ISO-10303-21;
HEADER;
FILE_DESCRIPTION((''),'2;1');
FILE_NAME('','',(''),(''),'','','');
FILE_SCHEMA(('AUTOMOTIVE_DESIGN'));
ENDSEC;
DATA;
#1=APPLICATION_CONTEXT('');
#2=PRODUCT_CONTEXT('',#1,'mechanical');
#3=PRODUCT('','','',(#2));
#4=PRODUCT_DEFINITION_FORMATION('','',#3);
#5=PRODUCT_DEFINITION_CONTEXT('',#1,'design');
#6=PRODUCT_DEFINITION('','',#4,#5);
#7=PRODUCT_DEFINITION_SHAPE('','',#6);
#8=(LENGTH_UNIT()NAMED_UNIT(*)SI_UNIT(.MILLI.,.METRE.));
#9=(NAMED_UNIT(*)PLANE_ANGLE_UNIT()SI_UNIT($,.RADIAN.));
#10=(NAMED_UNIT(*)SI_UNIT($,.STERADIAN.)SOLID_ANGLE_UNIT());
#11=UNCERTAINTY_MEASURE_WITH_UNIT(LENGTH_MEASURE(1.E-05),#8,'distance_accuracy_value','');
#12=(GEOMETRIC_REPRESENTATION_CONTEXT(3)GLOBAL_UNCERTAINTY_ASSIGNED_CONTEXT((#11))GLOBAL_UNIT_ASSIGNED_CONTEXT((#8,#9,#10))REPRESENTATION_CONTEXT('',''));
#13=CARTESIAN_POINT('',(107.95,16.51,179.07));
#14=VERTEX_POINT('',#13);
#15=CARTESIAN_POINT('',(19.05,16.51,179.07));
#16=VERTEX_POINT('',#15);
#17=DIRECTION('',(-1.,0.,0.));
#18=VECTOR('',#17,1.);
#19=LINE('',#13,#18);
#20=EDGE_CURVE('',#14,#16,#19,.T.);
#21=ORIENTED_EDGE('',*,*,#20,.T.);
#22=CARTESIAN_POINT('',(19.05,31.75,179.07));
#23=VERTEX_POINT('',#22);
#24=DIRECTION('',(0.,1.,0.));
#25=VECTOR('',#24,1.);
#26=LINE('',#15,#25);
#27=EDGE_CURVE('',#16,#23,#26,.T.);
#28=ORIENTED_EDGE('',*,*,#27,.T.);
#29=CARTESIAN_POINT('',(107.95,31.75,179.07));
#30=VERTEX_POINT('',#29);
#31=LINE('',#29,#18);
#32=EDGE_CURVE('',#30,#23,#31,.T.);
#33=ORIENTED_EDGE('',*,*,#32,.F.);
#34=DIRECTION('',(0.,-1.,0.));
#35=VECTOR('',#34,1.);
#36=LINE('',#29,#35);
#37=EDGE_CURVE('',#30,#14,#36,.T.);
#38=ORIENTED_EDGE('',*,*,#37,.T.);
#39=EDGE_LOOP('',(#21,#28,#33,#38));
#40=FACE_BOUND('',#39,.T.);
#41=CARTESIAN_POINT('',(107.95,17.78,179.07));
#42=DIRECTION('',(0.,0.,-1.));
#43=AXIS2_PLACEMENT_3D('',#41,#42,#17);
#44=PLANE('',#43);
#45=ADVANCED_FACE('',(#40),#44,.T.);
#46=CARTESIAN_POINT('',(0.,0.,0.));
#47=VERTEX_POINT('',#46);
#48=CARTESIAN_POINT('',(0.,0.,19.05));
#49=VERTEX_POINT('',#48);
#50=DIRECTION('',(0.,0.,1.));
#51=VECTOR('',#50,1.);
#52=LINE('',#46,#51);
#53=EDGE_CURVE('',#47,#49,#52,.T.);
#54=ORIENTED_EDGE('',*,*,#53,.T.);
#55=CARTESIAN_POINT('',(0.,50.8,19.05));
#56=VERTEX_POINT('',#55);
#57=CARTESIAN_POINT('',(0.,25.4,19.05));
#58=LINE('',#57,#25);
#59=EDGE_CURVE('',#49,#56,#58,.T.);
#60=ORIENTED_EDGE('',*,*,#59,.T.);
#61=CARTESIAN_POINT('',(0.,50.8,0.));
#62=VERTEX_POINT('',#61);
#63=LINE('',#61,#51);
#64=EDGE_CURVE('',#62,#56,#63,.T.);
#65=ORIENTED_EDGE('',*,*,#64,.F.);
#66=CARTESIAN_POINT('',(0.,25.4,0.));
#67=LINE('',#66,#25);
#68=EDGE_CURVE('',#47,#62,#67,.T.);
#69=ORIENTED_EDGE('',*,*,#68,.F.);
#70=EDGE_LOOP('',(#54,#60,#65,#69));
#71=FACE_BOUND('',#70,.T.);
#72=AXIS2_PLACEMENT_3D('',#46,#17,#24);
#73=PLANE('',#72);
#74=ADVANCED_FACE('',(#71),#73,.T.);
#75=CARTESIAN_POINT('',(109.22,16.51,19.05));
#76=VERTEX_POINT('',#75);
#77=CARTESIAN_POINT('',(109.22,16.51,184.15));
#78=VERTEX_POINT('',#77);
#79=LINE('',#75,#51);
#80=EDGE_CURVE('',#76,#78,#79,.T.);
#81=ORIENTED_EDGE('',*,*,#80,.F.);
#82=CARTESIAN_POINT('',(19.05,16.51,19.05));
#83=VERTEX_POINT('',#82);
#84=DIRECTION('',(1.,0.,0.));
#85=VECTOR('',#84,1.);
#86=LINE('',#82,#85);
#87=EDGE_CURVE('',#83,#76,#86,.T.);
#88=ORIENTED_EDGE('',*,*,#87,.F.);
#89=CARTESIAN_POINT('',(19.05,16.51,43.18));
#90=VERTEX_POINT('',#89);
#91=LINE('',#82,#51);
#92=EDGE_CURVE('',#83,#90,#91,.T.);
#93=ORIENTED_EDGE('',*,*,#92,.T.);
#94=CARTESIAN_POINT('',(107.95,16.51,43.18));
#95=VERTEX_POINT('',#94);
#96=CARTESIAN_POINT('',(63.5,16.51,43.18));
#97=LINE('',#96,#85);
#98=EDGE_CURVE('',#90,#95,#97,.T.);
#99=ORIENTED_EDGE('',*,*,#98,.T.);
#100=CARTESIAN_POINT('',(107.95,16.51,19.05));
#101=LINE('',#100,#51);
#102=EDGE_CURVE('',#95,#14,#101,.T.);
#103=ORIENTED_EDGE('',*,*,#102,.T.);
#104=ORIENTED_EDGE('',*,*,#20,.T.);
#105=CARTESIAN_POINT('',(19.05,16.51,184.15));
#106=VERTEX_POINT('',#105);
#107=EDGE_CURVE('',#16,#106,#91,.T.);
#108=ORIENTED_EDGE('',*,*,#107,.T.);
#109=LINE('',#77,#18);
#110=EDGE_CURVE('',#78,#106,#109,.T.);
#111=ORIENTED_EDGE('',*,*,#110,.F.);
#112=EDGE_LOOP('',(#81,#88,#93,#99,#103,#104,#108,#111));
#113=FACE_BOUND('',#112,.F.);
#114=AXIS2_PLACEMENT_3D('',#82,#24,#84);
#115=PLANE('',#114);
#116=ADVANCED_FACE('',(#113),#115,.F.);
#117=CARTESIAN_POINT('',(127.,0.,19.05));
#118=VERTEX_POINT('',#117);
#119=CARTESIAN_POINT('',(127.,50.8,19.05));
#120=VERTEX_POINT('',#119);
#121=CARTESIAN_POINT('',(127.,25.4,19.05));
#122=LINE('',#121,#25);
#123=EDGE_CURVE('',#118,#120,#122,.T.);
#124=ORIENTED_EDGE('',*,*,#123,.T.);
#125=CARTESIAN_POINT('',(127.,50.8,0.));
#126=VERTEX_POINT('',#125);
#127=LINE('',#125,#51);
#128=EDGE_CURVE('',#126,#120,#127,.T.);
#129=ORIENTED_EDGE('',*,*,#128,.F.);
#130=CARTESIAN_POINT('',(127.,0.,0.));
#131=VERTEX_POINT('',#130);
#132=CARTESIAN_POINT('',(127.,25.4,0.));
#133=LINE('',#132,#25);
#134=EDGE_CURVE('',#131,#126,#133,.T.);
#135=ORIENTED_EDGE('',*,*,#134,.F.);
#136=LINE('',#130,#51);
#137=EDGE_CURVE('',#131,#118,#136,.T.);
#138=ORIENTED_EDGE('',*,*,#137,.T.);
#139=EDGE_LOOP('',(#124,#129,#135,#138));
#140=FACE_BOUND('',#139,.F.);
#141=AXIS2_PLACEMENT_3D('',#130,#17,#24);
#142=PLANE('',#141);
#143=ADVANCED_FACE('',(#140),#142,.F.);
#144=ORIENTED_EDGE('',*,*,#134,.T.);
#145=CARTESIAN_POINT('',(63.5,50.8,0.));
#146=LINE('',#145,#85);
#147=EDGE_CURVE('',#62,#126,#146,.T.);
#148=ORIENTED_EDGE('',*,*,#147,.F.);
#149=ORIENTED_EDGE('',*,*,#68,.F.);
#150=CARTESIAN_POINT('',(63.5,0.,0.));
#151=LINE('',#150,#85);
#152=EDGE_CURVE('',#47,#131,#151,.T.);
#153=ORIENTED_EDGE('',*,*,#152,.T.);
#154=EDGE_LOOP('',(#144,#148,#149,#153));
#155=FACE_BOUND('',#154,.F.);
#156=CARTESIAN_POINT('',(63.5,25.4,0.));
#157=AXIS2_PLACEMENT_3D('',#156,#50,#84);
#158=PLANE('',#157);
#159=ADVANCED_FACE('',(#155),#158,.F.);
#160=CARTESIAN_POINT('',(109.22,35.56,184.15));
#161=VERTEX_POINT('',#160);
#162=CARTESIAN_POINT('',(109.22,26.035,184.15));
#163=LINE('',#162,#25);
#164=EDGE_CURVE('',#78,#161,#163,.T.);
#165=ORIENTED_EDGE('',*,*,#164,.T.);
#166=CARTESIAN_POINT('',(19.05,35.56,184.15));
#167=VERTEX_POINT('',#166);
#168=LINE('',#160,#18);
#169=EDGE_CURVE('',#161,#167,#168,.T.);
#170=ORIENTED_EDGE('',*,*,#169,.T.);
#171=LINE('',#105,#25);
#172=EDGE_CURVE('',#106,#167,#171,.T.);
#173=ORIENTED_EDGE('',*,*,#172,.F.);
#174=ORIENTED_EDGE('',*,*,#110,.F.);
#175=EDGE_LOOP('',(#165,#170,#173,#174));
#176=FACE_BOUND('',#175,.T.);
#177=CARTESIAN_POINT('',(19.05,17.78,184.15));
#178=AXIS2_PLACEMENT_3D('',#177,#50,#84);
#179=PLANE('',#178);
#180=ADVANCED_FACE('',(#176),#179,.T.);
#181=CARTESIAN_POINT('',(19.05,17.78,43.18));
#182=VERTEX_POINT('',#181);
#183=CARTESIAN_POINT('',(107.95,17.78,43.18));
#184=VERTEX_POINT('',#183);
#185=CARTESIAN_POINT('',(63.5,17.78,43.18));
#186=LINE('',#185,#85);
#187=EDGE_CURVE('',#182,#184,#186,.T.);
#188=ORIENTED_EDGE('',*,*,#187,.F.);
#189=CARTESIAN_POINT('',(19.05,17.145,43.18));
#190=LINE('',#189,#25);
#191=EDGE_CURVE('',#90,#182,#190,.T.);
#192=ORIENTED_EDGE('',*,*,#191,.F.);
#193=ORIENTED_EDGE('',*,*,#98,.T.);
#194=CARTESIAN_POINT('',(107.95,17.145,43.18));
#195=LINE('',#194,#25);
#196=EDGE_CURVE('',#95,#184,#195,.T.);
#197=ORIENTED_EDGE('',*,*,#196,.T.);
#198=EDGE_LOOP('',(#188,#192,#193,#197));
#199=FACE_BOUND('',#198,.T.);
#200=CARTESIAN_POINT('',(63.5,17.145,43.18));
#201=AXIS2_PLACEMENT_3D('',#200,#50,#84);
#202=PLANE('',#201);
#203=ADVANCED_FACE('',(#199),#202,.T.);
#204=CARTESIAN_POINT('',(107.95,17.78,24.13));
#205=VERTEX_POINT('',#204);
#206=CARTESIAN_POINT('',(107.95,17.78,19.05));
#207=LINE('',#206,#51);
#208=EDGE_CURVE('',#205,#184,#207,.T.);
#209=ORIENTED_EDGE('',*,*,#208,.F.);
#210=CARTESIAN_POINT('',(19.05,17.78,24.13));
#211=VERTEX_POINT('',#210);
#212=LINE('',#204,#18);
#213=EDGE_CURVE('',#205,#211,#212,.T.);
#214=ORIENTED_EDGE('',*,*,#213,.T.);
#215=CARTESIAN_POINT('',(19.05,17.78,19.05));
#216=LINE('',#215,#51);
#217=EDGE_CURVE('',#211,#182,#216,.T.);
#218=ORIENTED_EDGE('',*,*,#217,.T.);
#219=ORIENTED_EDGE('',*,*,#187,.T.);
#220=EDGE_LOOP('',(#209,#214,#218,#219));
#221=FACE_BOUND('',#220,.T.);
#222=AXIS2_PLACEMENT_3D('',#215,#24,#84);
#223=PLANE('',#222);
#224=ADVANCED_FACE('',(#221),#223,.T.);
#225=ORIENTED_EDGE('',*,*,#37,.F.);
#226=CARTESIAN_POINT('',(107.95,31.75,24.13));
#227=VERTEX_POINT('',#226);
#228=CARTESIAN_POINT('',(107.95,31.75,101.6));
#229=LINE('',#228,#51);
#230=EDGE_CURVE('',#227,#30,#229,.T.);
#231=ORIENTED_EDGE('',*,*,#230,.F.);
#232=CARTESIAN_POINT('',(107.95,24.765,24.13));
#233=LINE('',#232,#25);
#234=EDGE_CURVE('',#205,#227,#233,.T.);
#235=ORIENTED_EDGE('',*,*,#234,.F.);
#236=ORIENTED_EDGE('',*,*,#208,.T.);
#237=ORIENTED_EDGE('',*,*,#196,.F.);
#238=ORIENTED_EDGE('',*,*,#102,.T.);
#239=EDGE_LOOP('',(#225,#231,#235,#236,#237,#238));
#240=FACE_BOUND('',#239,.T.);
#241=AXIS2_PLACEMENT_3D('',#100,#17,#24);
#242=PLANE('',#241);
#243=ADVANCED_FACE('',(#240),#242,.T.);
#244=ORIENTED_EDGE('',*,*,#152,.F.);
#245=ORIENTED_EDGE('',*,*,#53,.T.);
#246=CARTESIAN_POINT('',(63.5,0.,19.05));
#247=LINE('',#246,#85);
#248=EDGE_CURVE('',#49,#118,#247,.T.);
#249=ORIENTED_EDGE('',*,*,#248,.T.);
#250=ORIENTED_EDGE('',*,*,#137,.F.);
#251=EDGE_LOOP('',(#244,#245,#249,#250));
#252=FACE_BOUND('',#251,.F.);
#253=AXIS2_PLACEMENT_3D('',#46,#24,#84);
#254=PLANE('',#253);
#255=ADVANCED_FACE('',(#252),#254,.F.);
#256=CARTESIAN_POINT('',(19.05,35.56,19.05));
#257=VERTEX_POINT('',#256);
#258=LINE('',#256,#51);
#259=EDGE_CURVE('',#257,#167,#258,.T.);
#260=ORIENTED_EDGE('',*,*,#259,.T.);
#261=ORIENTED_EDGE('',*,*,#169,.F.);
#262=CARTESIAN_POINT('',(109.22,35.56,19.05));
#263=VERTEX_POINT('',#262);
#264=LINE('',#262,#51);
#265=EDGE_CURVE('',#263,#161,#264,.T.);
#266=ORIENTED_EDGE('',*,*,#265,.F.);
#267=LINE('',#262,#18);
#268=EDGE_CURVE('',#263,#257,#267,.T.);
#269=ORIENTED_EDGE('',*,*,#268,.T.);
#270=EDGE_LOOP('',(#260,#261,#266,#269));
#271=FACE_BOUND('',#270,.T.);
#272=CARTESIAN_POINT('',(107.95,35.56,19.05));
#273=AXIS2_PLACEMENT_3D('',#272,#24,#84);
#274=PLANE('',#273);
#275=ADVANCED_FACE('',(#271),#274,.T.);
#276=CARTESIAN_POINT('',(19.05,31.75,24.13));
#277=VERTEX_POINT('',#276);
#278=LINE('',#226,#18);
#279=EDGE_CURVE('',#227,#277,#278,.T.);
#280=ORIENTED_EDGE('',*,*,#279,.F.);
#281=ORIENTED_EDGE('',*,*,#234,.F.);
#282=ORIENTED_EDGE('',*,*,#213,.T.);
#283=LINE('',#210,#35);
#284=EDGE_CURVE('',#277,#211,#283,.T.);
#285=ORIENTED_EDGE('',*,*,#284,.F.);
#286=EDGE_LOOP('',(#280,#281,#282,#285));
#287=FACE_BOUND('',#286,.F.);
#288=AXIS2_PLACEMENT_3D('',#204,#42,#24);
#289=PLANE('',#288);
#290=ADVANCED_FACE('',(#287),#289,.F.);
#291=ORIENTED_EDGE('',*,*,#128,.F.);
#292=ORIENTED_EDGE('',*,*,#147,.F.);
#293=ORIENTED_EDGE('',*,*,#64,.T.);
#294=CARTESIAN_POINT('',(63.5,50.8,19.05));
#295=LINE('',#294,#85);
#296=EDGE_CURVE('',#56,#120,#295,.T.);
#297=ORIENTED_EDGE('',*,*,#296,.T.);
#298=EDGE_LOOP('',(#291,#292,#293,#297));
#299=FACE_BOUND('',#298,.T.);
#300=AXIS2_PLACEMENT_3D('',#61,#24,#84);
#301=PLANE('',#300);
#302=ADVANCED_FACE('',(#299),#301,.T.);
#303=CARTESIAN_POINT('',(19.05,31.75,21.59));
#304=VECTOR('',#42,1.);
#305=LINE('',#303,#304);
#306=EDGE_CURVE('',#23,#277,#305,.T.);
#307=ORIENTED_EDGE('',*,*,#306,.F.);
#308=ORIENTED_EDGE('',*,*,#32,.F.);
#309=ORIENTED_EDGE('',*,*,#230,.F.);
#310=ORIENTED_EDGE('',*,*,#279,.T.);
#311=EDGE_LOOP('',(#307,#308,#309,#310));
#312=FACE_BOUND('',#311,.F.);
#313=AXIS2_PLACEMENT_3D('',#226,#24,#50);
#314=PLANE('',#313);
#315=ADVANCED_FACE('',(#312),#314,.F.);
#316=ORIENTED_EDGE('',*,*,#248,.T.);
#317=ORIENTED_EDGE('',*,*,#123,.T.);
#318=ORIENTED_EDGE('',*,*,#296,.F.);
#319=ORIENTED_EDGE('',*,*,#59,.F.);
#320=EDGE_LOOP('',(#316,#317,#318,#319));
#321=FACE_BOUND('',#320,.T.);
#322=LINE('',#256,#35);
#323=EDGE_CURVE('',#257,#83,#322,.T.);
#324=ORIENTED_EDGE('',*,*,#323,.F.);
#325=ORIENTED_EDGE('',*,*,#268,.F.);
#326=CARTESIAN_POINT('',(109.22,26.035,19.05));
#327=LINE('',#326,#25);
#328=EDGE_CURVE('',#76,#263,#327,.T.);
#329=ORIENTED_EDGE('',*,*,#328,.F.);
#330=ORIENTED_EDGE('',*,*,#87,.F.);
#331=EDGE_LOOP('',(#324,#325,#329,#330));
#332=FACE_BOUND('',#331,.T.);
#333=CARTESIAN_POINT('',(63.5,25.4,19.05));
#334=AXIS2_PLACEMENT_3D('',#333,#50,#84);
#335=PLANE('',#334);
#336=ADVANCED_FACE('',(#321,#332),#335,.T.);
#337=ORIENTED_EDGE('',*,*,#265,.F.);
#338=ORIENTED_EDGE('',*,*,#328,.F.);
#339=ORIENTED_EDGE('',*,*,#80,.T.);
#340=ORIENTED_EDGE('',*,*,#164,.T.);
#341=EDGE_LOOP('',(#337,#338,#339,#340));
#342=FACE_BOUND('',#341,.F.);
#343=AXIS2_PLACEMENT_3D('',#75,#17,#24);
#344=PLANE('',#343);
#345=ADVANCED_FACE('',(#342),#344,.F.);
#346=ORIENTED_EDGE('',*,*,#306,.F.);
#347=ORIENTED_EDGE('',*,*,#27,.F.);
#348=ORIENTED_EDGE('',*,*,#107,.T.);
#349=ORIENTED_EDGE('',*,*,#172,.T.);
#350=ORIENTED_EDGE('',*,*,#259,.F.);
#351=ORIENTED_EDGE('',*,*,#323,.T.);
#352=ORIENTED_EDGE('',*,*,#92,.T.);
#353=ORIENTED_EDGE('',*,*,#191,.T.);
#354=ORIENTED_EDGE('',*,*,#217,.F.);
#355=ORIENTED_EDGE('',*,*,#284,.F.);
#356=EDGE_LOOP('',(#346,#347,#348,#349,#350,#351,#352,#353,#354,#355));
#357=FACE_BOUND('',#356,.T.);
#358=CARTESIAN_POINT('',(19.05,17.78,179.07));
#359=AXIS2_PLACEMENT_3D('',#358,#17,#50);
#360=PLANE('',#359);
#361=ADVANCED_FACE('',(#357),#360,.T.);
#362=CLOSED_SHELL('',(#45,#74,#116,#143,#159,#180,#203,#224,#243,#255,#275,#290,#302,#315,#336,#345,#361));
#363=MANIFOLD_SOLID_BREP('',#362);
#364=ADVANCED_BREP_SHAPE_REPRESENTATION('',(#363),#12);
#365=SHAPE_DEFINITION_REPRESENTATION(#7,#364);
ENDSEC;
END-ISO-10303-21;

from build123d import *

# Parameters (mm, degrees)
F0_W      = 127
F0_H      = 50.8
F1_DEPTH  = 19.05
F2_W      = 88.9
F2_H      = 17.78
F3_DEPTH  = 165.1
F4_W      = 13.97
F4_H      = 154.94
F5_DEPTH  = 100.584
F6_W      = 88.9
F6_H      = 1.27
F7_DEPTH  = 24.13
F8_W      = 1.27
F8_H      = 19.05
F9_DEPTH  = 165.1
F10_DEPTH = 1.27


with BuildPart() as f1:
    # F0 (on Top) → F1 (new body)
    with BuildSketch(Plane.XY):
        with Locations((63.5, 25.4)):
            Rectangle(F0_W, F0_H)
    extrude(amount=F1_DEPTH)

    # F2 (on face) → F3 (join)
    with BuildSketch(Plane.XY.offset(19.05)):
        with Locations((63.5, 26.67)):
            Rectangle(F2_W, F2_H)
    extrude(amount=F3_DEPTH)

    # F4 (on face) → F5 (cut)
    with BuildSketch(Plane.YZ.offset(107.95)):
        with Locations((24.765, 101.6)):
            Rectangle(F4_W, F4_H)
    extrude(amount=-F5_DEPTH, mode=Mode.SUBTRACT)

    # F6 (on face) → F7 (join)
    with BuildSketch(Plane.XY.offset(19.05)):
        with Locations((63.5, 17.145)):
            Rectangle(F6_W, F6_H)
    extrude(amount=F7_DEPTH)

    # F8 (on face) → F9 (join)
    with BuildSketch(Plane.XY.offset(19.05)):
        with Locations((108.585, 26.035)):
            Rectangle(F8_W, F8_H)
    extrude(amount=F9_DEPTH)

    # F10 (add): a face of the model
    f10_faces = [f1.faces().sort_by_distance(p)[0] for p in [
        (63.5, 17.78, 181.61),
    ]]
    extrude(f10_faces, amount=F10_DEPTH)


solid = f1.part
